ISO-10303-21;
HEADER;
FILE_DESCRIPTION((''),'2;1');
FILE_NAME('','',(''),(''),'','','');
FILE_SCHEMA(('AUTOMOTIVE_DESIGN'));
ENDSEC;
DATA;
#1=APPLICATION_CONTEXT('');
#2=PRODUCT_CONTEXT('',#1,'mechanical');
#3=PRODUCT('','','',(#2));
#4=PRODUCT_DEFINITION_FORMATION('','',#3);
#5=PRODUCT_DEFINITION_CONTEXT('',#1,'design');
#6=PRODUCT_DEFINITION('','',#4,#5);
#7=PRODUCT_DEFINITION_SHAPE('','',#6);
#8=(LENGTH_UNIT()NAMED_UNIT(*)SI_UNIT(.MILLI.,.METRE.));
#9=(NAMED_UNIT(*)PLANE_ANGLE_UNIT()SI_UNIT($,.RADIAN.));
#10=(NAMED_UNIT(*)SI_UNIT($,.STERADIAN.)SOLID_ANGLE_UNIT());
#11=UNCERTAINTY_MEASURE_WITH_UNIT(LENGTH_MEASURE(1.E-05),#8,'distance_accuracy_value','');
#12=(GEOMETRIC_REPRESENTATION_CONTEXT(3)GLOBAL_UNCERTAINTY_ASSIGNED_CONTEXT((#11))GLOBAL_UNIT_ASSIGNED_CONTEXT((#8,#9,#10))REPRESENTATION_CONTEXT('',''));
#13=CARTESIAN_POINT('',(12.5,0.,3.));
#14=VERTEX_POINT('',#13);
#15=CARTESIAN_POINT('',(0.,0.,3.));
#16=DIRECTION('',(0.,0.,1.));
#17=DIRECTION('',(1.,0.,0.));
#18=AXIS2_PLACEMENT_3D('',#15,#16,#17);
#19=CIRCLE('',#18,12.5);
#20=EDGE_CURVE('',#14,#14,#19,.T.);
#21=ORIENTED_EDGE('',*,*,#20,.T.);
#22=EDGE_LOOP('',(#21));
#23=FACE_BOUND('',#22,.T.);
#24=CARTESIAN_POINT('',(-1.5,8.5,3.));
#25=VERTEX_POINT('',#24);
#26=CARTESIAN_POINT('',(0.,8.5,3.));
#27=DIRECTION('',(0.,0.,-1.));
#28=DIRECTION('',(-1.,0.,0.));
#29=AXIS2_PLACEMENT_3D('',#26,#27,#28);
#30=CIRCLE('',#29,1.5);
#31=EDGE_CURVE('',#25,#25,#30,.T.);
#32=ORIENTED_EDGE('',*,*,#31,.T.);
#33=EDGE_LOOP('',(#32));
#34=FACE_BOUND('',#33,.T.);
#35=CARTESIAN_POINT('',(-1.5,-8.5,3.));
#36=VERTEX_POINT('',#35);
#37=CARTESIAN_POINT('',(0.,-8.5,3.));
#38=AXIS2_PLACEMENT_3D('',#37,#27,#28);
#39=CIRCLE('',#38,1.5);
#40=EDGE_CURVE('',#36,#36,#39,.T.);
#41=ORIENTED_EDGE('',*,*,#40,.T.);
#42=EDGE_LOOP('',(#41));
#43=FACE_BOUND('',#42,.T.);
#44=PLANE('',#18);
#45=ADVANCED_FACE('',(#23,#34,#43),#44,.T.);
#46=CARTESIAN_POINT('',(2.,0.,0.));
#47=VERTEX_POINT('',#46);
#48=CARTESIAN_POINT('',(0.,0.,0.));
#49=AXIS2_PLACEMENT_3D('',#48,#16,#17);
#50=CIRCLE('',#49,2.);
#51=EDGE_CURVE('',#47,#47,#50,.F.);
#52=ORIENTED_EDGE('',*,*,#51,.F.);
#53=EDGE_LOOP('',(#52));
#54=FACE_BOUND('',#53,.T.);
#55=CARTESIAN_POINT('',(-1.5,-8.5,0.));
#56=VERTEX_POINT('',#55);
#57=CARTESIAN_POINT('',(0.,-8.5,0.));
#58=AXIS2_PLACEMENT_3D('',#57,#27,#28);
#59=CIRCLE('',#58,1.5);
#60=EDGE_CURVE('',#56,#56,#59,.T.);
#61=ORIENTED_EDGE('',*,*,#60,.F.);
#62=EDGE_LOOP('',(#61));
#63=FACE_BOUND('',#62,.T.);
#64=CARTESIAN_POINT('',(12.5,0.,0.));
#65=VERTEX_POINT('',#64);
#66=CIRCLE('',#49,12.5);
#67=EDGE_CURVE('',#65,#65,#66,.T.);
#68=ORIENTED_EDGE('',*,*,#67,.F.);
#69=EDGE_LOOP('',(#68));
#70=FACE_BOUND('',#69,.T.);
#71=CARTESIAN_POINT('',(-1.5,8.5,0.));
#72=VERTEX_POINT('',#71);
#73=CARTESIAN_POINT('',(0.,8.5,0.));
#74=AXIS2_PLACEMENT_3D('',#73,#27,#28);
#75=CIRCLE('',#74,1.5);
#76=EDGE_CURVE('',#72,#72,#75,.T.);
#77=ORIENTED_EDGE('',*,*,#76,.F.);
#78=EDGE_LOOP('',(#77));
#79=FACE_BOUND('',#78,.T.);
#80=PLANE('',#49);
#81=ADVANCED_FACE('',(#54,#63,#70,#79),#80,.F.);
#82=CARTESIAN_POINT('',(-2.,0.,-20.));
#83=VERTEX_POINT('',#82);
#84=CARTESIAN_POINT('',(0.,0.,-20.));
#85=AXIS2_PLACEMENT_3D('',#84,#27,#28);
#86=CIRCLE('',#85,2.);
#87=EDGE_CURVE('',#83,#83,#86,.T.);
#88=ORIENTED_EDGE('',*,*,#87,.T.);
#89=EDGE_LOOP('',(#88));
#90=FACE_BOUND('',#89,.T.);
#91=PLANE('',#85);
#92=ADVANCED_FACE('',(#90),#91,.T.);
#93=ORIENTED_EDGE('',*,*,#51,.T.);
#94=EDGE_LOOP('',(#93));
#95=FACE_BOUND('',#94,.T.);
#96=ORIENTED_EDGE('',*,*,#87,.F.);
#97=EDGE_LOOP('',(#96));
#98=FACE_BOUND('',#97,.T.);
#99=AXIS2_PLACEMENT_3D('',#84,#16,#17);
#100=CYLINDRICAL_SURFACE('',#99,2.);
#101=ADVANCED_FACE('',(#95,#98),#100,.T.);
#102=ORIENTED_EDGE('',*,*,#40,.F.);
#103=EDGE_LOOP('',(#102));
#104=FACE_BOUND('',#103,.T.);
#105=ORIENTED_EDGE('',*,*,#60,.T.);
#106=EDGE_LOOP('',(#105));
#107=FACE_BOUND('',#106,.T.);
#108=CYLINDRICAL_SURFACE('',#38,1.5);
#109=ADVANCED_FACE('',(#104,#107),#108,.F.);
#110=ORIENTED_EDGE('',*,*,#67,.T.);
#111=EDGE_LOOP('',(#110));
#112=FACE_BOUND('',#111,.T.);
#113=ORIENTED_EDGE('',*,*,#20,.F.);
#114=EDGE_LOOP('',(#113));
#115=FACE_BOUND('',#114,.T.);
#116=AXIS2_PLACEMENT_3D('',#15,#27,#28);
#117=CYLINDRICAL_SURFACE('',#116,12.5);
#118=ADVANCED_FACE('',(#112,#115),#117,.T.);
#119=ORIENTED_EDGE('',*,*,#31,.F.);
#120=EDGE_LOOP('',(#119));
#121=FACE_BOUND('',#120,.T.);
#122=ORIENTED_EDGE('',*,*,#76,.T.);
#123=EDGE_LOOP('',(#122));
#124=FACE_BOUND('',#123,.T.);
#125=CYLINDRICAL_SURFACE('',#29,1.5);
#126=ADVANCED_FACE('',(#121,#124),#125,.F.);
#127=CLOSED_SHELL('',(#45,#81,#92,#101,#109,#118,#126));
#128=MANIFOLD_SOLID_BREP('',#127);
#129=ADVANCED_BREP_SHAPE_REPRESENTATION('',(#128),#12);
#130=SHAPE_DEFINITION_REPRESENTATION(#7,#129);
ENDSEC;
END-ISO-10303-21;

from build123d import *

# Parameters (mm, degrees)
SKETCH_1_R          = 12.5
EXTRUDE_1_DEPTH     = 3
SKETCH_2_R          = 1.5
CUT_EXTRUDE_1_DEPTH = 3
SKETCH_3_R          = 2
EXTRUDE_2_DEPTH     = 20


with BuildPart() as part:
    # 草图1 → 凸台-拉伸1 (new body)
    with BuildSketch(Plane.XY):
        Circle(SKETCH_1_R)
    extrude(amount=EXTRUDE_1_DEPTH)

    # 草图2 → 切除-拉伸1 (cut)
    with BuildSketch(Plane(origin=(0, 0, 0), x_dir=(-1, 0, 0), z_dir=(0, 0, -1))):
        with Locations((0, 8.5)):
            Circle(SKETCH_2_R)
        with Locations((0, -8.5)):
            Circle(SKETCH_2_R)
    extrude(amount=-CUT_EXTRUDE_1_DEPTH, mode=Mode.SUBTRACT)

    # 草图3 → 凸台-拉伸2 (add)
    with BuildSketch(Plane(origin=(0, 0, 0), x_dir=(-1, 0, 0), z_dir=(0, 0, -1))):
        with Locations(Location((0, 0, 0), (0, 0, 180))):
            Circle(SKETCH_3_R)
    extrude(amount=EXTRUDE_2_DEPTH)


solid = part.part
